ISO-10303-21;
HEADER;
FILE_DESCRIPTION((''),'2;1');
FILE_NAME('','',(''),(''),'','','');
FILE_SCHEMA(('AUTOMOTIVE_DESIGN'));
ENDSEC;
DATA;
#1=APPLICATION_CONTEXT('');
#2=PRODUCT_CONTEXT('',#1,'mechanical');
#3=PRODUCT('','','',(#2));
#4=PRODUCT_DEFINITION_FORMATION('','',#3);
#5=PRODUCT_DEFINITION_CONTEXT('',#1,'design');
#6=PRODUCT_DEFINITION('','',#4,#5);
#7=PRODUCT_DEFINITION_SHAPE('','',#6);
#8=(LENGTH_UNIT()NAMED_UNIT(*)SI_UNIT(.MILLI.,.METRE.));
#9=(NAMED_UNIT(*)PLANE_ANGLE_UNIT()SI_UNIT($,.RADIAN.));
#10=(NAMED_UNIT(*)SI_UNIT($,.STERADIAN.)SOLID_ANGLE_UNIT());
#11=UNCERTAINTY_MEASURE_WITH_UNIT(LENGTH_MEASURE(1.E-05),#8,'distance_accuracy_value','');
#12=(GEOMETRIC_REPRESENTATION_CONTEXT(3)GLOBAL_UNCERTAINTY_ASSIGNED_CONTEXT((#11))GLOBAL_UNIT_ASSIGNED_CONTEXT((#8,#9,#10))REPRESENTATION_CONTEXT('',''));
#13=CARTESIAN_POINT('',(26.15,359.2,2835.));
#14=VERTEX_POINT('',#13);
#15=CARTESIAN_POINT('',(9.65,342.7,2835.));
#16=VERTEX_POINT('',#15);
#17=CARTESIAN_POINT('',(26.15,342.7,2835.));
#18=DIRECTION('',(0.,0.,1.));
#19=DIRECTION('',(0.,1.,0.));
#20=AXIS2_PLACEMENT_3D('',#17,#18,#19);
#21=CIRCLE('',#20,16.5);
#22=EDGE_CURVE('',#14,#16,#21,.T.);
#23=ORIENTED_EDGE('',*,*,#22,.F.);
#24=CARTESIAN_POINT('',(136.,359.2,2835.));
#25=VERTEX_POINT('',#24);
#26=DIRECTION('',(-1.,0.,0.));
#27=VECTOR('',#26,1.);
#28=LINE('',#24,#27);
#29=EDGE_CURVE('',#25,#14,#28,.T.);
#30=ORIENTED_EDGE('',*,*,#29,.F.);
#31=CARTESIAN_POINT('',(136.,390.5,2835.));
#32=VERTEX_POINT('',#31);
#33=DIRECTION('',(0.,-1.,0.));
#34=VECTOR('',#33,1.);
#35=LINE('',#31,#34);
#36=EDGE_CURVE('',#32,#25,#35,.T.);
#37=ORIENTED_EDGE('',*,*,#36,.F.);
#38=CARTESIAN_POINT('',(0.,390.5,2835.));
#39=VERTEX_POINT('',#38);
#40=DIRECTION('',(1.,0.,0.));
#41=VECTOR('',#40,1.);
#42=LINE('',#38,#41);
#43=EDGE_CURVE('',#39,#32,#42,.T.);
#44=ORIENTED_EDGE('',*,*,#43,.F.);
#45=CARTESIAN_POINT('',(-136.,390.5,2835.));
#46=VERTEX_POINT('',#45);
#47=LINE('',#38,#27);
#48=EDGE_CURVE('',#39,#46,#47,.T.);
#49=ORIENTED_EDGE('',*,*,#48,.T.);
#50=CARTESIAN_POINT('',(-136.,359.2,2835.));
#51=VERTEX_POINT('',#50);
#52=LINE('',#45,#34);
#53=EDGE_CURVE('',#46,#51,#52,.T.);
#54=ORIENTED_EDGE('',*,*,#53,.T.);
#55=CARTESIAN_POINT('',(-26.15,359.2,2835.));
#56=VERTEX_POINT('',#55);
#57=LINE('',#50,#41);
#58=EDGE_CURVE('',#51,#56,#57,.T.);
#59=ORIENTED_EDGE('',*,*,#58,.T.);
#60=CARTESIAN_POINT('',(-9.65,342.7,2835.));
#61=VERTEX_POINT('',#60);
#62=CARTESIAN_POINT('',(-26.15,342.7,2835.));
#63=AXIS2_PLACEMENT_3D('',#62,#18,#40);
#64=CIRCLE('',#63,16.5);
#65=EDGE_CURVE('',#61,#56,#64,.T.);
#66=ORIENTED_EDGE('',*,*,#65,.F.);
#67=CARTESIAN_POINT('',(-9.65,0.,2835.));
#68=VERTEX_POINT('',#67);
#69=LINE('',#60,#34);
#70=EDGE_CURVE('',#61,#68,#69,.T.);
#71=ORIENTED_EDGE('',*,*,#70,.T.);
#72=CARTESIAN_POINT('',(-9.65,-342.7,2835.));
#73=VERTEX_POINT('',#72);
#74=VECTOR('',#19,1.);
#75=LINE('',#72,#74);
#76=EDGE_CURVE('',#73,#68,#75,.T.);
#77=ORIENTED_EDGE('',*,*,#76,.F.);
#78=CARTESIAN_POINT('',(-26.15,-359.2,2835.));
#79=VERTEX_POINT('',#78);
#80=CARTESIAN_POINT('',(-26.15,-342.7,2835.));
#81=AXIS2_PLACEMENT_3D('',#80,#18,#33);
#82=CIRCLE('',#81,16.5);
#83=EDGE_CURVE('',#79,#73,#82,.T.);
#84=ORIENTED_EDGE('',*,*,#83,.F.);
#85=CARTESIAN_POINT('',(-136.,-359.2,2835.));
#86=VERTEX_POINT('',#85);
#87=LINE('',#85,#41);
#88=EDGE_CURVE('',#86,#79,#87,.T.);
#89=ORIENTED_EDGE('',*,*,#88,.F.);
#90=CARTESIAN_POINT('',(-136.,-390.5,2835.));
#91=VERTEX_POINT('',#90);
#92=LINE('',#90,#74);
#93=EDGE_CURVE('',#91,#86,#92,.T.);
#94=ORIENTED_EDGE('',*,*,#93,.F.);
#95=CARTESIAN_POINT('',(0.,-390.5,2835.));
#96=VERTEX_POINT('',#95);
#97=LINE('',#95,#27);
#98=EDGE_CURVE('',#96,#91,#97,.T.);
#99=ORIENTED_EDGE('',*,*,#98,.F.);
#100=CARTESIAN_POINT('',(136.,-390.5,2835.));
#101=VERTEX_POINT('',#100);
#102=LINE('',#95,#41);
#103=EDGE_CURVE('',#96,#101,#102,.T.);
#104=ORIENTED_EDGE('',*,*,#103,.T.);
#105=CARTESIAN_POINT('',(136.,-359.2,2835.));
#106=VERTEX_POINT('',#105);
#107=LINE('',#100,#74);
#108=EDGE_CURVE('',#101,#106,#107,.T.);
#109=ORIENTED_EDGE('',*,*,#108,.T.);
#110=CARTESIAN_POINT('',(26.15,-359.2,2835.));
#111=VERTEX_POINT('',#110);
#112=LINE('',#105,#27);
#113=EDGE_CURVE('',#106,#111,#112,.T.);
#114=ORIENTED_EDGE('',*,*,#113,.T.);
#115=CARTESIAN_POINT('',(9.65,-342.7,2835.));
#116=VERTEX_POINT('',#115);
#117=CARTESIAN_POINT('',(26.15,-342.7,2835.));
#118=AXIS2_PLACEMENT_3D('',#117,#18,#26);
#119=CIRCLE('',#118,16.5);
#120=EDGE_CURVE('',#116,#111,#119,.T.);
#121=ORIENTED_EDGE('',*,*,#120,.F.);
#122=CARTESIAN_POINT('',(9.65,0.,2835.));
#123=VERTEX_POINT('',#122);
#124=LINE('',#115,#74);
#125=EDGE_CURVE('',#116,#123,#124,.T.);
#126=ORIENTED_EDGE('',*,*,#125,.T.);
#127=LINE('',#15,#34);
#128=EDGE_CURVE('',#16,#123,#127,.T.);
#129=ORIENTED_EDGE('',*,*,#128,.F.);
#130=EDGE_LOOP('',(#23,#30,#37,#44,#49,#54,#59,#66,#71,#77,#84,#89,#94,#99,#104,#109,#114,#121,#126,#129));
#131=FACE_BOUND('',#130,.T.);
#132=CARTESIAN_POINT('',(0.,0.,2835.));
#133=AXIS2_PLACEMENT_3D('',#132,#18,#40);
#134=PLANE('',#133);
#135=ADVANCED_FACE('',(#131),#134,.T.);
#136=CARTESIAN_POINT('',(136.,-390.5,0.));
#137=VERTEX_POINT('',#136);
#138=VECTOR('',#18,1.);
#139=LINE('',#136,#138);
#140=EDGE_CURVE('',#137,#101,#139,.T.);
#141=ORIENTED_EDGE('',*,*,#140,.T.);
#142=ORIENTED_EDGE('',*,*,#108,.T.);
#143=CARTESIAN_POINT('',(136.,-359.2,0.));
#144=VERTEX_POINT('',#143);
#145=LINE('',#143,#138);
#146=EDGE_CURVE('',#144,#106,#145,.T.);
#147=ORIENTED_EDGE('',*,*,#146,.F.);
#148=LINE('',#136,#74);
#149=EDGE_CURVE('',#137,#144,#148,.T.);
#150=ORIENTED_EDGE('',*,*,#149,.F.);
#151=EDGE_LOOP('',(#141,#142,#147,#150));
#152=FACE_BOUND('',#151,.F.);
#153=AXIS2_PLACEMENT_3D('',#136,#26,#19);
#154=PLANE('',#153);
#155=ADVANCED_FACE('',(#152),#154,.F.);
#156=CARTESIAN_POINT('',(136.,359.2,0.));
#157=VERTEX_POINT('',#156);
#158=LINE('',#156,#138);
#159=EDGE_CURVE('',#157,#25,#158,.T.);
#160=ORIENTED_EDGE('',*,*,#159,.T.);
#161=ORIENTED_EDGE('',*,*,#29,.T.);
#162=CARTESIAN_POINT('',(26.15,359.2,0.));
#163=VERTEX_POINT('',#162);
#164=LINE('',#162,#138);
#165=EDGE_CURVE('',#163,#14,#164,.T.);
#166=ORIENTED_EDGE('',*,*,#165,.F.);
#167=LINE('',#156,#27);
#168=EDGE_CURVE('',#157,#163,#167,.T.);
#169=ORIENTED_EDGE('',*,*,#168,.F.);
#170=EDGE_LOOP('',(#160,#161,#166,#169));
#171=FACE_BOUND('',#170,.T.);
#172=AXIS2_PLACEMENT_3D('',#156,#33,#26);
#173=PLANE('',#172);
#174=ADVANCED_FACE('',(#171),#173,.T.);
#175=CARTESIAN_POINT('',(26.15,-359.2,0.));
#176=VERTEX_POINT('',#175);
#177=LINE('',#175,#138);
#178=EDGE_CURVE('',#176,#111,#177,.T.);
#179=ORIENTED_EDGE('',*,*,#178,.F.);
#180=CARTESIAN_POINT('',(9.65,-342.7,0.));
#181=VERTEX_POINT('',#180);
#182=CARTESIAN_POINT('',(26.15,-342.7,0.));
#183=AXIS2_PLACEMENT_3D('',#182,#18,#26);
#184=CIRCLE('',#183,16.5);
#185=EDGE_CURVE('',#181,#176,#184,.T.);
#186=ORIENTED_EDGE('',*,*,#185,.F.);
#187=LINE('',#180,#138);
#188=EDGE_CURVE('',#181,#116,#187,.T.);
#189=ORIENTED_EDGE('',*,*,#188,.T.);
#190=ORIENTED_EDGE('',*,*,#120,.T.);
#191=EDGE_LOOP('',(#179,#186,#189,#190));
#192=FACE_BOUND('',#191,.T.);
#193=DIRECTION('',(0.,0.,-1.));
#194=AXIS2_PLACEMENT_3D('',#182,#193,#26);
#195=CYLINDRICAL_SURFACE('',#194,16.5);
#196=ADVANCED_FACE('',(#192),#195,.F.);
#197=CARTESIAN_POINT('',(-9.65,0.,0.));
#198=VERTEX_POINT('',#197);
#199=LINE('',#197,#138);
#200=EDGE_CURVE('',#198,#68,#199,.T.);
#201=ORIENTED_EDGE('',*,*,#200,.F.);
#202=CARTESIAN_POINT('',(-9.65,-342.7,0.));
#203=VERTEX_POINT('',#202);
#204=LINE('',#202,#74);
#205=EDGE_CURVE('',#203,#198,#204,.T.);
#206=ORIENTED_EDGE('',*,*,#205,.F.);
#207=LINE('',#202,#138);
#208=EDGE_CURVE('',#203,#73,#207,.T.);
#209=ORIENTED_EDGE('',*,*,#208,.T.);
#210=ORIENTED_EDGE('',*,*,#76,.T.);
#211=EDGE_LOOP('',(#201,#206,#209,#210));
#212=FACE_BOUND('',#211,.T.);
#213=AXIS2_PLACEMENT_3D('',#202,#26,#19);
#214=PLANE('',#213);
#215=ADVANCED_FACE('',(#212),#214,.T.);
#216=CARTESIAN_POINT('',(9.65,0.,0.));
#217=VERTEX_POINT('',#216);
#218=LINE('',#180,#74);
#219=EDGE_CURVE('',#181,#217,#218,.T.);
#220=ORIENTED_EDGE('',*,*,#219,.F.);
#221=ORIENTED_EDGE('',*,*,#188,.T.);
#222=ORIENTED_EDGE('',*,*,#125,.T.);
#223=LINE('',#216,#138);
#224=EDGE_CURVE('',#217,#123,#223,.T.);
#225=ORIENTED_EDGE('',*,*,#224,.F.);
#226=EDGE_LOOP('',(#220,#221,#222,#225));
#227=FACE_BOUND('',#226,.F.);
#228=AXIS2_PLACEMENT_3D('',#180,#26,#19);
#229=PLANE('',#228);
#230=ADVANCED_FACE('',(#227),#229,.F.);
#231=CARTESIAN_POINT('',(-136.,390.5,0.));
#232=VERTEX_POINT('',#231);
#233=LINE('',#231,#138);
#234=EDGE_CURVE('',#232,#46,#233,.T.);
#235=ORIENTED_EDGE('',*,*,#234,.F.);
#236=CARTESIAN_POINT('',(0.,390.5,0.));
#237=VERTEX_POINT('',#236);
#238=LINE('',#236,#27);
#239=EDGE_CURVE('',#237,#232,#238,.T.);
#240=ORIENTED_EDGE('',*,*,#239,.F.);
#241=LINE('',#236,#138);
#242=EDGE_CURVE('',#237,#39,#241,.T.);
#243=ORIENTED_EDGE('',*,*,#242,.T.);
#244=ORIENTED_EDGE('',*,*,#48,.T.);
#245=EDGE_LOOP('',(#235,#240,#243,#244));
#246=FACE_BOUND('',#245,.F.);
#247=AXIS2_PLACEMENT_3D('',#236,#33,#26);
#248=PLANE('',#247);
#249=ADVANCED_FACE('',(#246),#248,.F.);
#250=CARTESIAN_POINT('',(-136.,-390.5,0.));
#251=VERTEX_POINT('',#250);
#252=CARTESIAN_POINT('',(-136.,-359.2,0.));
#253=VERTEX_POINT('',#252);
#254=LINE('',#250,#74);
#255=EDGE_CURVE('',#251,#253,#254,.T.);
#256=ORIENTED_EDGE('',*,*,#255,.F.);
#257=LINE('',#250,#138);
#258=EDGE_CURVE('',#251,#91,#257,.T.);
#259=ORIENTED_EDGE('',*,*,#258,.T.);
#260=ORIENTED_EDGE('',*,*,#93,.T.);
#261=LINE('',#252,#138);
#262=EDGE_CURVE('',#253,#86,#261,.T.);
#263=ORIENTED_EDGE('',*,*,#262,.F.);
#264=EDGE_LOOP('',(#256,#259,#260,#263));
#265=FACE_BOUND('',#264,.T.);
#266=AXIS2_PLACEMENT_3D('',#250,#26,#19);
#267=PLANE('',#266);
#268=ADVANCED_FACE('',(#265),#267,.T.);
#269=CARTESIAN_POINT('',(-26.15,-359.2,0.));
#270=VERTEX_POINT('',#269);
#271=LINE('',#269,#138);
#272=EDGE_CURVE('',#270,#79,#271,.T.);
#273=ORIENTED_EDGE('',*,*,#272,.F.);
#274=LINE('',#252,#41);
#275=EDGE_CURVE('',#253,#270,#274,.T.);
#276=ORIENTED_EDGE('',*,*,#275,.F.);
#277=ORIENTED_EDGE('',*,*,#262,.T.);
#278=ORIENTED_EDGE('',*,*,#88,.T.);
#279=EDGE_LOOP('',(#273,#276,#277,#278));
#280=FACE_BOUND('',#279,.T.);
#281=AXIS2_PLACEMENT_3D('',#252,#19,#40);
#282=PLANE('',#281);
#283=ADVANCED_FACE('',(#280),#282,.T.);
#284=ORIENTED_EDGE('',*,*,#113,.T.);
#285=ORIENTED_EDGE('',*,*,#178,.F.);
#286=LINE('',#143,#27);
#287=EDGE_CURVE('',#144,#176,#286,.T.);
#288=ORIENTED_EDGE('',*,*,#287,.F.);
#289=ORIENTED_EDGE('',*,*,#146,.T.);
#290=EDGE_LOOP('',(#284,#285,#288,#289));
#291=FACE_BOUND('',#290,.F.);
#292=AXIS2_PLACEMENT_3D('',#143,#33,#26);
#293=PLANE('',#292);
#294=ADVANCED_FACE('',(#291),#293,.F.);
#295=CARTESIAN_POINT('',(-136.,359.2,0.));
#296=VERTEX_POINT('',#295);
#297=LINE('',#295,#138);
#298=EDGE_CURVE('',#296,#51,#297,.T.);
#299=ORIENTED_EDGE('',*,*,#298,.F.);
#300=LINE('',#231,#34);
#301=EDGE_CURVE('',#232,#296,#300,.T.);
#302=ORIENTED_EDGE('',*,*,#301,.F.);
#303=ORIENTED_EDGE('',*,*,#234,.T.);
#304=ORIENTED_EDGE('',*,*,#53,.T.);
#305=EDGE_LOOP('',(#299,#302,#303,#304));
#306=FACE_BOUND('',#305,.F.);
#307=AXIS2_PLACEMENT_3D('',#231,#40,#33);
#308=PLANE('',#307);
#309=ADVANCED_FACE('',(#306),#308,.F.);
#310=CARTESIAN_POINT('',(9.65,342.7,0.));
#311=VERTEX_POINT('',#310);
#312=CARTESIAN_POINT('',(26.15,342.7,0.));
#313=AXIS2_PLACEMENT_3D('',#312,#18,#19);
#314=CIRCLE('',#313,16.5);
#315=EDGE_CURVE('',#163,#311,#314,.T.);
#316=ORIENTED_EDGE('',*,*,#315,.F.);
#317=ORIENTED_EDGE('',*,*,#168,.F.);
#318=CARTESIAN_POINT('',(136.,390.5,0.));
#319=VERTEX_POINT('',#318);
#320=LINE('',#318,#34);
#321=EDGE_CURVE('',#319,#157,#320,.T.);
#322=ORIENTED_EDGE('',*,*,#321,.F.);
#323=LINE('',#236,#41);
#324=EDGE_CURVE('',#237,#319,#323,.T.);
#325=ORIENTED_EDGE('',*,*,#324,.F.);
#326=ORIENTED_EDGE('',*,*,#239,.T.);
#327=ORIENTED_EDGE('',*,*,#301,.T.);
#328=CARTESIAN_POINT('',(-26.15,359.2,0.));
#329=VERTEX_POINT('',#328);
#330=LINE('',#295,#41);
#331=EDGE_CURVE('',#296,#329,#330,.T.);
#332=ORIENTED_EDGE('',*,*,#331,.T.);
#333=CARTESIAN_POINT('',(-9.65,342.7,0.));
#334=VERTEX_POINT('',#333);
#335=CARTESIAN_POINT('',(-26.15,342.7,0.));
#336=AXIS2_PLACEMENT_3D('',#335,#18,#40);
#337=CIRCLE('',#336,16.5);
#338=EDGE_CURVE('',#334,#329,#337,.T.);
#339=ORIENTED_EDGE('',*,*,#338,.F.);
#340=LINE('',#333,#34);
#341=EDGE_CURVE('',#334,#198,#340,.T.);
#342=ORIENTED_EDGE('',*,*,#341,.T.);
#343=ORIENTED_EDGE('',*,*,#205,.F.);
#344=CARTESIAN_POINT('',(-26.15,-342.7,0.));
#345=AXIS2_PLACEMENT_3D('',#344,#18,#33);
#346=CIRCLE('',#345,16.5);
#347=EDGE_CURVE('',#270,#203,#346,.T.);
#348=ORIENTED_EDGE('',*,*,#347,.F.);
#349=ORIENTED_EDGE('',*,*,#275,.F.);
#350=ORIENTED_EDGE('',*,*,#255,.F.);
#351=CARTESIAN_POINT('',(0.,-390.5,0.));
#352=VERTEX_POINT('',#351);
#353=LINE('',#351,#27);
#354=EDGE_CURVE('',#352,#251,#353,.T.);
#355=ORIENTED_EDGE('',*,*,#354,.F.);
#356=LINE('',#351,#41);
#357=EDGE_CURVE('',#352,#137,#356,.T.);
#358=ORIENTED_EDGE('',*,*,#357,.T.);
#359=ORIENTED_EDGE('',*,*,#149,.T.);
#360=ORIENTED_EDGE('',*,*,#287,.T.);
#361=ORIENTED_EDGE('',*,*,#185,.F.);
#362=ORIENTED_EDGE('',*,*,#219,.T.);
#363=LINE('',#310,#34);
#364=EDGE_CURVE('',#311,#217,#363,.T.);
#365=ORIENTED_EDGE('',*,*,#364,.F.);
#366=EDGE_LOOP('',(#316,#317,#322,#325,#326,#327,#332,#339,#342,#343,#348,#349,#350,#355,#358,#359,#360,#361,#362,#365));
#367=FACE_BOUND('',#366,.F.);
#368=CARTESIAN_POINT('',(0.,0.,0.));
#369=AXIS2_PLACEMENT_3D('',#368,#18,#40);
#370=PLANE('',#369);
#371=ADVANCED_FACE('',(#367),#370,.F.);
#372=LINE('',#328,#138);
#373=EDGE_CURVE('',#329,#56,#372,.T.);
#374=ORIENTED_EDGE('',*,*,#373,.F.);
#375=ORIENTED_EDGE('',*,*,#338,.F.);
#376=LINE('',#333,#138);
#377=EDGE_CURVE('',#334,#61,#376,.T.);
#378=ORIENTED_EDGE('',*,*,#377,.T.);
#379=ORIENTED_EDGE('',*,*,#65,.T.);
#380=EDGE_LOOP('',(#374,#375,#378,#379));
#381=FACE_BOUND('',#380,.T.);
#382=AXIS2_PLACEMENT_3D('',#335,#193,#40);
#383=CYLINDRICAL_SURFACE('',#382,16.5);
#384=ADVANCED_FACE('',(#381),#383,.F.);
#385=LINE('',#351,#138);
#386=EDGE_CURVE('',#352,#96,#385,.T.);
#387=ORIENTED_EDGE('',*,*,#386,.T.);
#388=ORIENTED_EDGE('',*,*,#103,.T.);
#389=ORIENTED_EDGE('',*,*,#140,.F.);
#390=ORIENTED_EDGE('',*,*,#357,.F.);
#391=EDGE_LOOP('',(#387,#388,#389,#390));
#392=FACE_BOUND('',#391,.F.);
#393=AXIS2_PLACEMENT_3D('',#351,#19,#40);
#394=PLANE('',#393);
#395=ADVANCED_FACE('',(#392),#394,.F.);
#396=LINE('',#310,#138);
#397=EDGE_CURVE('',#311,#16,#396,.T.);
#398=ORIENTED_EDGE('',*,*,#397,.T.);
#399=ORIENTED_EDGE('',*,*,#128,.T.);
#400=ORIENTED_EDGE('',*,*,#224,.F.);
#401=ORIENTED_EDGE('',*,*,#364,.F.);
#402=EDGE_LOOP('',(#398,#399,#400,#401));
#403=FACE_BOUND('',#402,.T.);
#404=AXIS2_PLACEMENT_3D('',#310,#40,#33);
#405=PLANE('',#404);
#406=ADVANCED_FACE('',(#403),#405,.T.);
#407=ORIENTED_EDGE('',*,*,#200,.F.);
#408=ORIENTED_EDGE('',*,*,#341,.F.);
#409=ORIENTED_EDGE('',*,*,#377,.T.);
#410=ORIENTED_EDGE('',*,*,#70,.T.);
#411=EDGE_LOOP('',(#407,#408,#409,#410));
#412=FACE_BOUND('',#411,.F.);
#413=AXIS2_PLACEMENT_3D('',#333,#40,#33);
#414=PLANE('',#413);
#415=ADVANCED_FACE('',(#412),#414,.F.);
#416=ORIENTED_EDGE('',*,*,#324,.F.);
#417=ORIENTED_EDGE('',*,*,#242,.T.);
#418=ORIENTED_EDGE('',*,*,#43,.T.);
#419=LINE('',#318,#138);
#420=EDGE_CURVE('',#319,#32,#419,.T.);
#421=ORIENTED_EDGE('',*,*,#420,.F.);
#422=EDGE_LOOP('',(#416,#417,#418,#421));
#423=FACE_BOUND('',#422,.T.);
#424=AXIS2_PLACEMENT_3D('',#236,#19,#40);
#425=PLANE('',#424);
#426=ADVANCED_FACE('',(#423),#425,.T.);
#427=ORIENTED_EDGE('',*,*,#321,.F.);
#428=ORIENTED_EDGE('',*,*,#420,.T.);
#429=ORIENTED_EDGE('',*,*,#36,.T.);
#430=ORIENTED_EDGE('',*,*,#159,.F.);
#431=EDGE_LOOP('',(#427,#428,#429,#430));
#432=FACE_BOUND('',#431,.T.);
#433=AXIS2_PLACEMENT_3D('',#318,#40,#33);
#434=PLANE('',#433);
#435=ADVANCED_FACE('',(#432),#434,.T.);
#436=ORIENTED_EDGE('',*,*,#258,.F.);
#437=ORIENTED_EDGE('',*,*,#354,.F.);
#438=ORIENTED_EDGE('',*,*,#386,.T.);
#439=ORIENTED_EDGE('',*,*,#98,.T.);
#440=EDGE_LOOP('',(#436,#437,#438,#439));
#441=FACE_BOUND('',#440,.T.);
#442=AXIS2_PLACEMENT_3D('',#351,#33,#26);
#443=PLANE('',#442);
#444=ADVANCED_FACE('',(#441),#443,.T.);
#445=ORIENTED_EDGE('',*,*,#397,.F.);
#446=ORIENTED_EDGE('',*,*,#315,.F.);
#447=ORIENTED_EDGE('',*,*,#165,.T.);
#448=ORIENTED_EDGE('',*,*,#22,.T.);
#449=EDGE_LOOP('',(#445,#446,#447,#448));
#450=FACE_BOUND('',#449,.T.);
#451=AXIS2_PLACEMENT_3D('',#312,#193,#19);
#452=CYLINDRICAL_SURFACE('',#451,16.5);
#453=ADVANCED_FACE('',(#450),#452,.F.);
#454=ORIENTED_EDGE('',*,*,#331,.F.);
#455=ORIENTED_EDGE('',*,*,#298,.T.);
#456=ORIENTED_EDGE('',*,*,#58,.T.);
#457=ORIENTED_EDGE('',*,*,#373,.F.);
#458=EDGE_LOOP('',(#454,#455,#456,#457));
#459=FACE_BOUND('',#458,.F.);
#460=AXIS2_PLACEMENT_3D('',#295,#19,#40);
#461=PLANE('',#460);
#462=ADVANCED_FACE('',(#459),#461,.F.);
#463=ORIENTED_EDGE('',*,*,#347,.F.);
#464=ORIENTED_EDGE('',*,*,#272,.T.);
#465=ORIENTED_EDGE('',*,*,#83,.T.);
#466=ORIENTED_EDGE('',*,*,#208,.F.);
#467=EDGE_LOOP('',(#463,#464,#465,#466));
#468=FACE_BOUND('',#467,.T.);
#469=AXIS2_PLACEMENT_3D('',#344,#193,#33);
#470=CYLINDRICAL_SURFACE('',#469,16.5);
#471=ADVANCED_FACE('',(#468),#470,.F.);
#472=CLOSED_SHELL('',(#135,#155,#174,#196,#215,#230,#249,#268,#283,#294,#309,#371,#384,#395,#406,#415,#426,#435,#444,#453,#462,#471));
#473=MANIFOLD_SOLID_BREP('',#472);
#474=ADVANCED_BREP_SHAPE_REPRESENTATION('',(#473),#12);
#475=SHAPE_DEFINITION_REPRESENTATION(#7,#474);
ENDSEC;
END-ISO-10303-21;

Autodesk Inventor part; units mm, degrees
ref_plane "YZ Plane" through (0, 0, 0) normal (1, 0, 0) x (0, 1, 0)
ref_plane "Start plane" through (0, 0, 0) normal (0, 0, 1) x (1, 0, 0)
ref_plane "End plane" through (0, 0, 2835) normal (0, 0, 1) x (1, 0, 0)
sketch "Sketch" plane through (0, 0, 0) normal (0, 0, 1) x (1, 0, 0)
  line L0 (-136, -390.5) -> (-136, -359.2)
  line L1 (-136, -359.2) -> (-26.15, -359.2)
  line L2 (-9.65, -342.7) -> (-9.65, 0)
  line L3 (-9.65, 0) -> (0, 0) construction
  line L4 (0, 0) -> (0, -390.5) construction
  line L5 (0, -390.5) -> (-136, -390.5)
  line L6 (-60, 0) -> (80, 0) construction
  line L7 (0, -60) -> (0, 80) construction
  line L8 (136, -390.5) -> (136, -359.2)
  line L9 (136, -359.2) -> (26.15, -359.2)
  line L10 (9.65, -342.7) -> (9.65, 0)
  line L11 (9.65, 0) -> (0, 0) construction
  line L12 (0, -390.5) -> (136, -390.5)
  line L13 (-136, 390.5) -> (-136, 359.2)
  line L14 (-136, 359.2) -> (-26.15, 359.2)
  line L15 (-9.65, 342.7) -> (-9.65, 0)
  line L16 (0, 390.5) -> (-136, 390.5)
  line L17 (136, 390.5) -> (136, 359.2)
  line L18 (136, 359.2) -> (26.15, 359.2)
  line L19 (0, 390.5) -> (136, 390.5)
  line L20 (9.65, 342.7) -> (9.65, 0)
  arc A0 (-9.65, 342.7) -> (-26.15, 359.2) centre (-26.15, 342.7) ccw
  arc A1 (26.15, 359.2) -> (9.65, 342.7) centre (26.15, 342.7) ccw
  arc A2 (9.65, -342.7) -> (26.15, -359.2) centre (26.15, -342.7) ccw
  arc A3 (-26.15, -359.2) -> (-9.65, -342.7) centre (-26.15, -342.7) ccw
  line L21 (0, 108) -> (0, -88) construction
  line L22 (-88, 0) -> (108, 0) construction
  point P0 (-9.65, -359.2)
  point P1 (9.65, -359.2)
  point P2 (-9.65, 359.2)
  point P3 (9.65, 359.2)
  dimension "d1" = 390.5
  dimension "d2" = 31.3
  dimension "d3" = 136
  dimension "d4" = 9.65
  dimension "d10" = 16.5
extrude "Body" add sketch "Sketch" along normal up to surface (2835 mm away) from surface at 0
sketch "Sketch4" plane through (0, 0, 0) normal (0, 0, 1) x (1, 0, 0)
  line L0 (0, 0) -> (10, 0)
ref_plane "Work Plane3" through (0, 0, 0) normal (0, -1, 0) x (1, 0, 0)
sketch "Sketch5" plane through (0, 0, 0) normal (0, -1, 0) x (1, 0, 0)
  line L0 (-2, 0) -> (12, 0) projected
  line L1 (-2, 2835) -> (12, 2835) projected
  dimension "d14" = 2835
equation "\"d1\" = 0.5 * G_H"
equation "\"d2\" = G_T1"
equation "\"d3\" = 0.5 * G_W"
equation "\"d4\" = 0.5 * G_T"
equation "\"d10\" = G_IR"
equation "\"d5\" = G_L"
equation "\"G_W\" = 272"
equation "\"G_H\" = 781"
equation "\"G_T\" = 19.3"
equation "\"G_T1\" = 31.3"
equation "\"G_IR\" = 16.5"
equation "\"G_L\" = d14"
equation "\"G_OFFSET_START\" = 0"
equation "\"G_OFFSET_END\" = 0"
equation "\"d12\" = G_OFFSET_END + B_L"
equation "\"B_L\" = 2835"
properties part number "AS 3679-1990 - 760 UB - 244 - 2835" material "Steel, Mild"
